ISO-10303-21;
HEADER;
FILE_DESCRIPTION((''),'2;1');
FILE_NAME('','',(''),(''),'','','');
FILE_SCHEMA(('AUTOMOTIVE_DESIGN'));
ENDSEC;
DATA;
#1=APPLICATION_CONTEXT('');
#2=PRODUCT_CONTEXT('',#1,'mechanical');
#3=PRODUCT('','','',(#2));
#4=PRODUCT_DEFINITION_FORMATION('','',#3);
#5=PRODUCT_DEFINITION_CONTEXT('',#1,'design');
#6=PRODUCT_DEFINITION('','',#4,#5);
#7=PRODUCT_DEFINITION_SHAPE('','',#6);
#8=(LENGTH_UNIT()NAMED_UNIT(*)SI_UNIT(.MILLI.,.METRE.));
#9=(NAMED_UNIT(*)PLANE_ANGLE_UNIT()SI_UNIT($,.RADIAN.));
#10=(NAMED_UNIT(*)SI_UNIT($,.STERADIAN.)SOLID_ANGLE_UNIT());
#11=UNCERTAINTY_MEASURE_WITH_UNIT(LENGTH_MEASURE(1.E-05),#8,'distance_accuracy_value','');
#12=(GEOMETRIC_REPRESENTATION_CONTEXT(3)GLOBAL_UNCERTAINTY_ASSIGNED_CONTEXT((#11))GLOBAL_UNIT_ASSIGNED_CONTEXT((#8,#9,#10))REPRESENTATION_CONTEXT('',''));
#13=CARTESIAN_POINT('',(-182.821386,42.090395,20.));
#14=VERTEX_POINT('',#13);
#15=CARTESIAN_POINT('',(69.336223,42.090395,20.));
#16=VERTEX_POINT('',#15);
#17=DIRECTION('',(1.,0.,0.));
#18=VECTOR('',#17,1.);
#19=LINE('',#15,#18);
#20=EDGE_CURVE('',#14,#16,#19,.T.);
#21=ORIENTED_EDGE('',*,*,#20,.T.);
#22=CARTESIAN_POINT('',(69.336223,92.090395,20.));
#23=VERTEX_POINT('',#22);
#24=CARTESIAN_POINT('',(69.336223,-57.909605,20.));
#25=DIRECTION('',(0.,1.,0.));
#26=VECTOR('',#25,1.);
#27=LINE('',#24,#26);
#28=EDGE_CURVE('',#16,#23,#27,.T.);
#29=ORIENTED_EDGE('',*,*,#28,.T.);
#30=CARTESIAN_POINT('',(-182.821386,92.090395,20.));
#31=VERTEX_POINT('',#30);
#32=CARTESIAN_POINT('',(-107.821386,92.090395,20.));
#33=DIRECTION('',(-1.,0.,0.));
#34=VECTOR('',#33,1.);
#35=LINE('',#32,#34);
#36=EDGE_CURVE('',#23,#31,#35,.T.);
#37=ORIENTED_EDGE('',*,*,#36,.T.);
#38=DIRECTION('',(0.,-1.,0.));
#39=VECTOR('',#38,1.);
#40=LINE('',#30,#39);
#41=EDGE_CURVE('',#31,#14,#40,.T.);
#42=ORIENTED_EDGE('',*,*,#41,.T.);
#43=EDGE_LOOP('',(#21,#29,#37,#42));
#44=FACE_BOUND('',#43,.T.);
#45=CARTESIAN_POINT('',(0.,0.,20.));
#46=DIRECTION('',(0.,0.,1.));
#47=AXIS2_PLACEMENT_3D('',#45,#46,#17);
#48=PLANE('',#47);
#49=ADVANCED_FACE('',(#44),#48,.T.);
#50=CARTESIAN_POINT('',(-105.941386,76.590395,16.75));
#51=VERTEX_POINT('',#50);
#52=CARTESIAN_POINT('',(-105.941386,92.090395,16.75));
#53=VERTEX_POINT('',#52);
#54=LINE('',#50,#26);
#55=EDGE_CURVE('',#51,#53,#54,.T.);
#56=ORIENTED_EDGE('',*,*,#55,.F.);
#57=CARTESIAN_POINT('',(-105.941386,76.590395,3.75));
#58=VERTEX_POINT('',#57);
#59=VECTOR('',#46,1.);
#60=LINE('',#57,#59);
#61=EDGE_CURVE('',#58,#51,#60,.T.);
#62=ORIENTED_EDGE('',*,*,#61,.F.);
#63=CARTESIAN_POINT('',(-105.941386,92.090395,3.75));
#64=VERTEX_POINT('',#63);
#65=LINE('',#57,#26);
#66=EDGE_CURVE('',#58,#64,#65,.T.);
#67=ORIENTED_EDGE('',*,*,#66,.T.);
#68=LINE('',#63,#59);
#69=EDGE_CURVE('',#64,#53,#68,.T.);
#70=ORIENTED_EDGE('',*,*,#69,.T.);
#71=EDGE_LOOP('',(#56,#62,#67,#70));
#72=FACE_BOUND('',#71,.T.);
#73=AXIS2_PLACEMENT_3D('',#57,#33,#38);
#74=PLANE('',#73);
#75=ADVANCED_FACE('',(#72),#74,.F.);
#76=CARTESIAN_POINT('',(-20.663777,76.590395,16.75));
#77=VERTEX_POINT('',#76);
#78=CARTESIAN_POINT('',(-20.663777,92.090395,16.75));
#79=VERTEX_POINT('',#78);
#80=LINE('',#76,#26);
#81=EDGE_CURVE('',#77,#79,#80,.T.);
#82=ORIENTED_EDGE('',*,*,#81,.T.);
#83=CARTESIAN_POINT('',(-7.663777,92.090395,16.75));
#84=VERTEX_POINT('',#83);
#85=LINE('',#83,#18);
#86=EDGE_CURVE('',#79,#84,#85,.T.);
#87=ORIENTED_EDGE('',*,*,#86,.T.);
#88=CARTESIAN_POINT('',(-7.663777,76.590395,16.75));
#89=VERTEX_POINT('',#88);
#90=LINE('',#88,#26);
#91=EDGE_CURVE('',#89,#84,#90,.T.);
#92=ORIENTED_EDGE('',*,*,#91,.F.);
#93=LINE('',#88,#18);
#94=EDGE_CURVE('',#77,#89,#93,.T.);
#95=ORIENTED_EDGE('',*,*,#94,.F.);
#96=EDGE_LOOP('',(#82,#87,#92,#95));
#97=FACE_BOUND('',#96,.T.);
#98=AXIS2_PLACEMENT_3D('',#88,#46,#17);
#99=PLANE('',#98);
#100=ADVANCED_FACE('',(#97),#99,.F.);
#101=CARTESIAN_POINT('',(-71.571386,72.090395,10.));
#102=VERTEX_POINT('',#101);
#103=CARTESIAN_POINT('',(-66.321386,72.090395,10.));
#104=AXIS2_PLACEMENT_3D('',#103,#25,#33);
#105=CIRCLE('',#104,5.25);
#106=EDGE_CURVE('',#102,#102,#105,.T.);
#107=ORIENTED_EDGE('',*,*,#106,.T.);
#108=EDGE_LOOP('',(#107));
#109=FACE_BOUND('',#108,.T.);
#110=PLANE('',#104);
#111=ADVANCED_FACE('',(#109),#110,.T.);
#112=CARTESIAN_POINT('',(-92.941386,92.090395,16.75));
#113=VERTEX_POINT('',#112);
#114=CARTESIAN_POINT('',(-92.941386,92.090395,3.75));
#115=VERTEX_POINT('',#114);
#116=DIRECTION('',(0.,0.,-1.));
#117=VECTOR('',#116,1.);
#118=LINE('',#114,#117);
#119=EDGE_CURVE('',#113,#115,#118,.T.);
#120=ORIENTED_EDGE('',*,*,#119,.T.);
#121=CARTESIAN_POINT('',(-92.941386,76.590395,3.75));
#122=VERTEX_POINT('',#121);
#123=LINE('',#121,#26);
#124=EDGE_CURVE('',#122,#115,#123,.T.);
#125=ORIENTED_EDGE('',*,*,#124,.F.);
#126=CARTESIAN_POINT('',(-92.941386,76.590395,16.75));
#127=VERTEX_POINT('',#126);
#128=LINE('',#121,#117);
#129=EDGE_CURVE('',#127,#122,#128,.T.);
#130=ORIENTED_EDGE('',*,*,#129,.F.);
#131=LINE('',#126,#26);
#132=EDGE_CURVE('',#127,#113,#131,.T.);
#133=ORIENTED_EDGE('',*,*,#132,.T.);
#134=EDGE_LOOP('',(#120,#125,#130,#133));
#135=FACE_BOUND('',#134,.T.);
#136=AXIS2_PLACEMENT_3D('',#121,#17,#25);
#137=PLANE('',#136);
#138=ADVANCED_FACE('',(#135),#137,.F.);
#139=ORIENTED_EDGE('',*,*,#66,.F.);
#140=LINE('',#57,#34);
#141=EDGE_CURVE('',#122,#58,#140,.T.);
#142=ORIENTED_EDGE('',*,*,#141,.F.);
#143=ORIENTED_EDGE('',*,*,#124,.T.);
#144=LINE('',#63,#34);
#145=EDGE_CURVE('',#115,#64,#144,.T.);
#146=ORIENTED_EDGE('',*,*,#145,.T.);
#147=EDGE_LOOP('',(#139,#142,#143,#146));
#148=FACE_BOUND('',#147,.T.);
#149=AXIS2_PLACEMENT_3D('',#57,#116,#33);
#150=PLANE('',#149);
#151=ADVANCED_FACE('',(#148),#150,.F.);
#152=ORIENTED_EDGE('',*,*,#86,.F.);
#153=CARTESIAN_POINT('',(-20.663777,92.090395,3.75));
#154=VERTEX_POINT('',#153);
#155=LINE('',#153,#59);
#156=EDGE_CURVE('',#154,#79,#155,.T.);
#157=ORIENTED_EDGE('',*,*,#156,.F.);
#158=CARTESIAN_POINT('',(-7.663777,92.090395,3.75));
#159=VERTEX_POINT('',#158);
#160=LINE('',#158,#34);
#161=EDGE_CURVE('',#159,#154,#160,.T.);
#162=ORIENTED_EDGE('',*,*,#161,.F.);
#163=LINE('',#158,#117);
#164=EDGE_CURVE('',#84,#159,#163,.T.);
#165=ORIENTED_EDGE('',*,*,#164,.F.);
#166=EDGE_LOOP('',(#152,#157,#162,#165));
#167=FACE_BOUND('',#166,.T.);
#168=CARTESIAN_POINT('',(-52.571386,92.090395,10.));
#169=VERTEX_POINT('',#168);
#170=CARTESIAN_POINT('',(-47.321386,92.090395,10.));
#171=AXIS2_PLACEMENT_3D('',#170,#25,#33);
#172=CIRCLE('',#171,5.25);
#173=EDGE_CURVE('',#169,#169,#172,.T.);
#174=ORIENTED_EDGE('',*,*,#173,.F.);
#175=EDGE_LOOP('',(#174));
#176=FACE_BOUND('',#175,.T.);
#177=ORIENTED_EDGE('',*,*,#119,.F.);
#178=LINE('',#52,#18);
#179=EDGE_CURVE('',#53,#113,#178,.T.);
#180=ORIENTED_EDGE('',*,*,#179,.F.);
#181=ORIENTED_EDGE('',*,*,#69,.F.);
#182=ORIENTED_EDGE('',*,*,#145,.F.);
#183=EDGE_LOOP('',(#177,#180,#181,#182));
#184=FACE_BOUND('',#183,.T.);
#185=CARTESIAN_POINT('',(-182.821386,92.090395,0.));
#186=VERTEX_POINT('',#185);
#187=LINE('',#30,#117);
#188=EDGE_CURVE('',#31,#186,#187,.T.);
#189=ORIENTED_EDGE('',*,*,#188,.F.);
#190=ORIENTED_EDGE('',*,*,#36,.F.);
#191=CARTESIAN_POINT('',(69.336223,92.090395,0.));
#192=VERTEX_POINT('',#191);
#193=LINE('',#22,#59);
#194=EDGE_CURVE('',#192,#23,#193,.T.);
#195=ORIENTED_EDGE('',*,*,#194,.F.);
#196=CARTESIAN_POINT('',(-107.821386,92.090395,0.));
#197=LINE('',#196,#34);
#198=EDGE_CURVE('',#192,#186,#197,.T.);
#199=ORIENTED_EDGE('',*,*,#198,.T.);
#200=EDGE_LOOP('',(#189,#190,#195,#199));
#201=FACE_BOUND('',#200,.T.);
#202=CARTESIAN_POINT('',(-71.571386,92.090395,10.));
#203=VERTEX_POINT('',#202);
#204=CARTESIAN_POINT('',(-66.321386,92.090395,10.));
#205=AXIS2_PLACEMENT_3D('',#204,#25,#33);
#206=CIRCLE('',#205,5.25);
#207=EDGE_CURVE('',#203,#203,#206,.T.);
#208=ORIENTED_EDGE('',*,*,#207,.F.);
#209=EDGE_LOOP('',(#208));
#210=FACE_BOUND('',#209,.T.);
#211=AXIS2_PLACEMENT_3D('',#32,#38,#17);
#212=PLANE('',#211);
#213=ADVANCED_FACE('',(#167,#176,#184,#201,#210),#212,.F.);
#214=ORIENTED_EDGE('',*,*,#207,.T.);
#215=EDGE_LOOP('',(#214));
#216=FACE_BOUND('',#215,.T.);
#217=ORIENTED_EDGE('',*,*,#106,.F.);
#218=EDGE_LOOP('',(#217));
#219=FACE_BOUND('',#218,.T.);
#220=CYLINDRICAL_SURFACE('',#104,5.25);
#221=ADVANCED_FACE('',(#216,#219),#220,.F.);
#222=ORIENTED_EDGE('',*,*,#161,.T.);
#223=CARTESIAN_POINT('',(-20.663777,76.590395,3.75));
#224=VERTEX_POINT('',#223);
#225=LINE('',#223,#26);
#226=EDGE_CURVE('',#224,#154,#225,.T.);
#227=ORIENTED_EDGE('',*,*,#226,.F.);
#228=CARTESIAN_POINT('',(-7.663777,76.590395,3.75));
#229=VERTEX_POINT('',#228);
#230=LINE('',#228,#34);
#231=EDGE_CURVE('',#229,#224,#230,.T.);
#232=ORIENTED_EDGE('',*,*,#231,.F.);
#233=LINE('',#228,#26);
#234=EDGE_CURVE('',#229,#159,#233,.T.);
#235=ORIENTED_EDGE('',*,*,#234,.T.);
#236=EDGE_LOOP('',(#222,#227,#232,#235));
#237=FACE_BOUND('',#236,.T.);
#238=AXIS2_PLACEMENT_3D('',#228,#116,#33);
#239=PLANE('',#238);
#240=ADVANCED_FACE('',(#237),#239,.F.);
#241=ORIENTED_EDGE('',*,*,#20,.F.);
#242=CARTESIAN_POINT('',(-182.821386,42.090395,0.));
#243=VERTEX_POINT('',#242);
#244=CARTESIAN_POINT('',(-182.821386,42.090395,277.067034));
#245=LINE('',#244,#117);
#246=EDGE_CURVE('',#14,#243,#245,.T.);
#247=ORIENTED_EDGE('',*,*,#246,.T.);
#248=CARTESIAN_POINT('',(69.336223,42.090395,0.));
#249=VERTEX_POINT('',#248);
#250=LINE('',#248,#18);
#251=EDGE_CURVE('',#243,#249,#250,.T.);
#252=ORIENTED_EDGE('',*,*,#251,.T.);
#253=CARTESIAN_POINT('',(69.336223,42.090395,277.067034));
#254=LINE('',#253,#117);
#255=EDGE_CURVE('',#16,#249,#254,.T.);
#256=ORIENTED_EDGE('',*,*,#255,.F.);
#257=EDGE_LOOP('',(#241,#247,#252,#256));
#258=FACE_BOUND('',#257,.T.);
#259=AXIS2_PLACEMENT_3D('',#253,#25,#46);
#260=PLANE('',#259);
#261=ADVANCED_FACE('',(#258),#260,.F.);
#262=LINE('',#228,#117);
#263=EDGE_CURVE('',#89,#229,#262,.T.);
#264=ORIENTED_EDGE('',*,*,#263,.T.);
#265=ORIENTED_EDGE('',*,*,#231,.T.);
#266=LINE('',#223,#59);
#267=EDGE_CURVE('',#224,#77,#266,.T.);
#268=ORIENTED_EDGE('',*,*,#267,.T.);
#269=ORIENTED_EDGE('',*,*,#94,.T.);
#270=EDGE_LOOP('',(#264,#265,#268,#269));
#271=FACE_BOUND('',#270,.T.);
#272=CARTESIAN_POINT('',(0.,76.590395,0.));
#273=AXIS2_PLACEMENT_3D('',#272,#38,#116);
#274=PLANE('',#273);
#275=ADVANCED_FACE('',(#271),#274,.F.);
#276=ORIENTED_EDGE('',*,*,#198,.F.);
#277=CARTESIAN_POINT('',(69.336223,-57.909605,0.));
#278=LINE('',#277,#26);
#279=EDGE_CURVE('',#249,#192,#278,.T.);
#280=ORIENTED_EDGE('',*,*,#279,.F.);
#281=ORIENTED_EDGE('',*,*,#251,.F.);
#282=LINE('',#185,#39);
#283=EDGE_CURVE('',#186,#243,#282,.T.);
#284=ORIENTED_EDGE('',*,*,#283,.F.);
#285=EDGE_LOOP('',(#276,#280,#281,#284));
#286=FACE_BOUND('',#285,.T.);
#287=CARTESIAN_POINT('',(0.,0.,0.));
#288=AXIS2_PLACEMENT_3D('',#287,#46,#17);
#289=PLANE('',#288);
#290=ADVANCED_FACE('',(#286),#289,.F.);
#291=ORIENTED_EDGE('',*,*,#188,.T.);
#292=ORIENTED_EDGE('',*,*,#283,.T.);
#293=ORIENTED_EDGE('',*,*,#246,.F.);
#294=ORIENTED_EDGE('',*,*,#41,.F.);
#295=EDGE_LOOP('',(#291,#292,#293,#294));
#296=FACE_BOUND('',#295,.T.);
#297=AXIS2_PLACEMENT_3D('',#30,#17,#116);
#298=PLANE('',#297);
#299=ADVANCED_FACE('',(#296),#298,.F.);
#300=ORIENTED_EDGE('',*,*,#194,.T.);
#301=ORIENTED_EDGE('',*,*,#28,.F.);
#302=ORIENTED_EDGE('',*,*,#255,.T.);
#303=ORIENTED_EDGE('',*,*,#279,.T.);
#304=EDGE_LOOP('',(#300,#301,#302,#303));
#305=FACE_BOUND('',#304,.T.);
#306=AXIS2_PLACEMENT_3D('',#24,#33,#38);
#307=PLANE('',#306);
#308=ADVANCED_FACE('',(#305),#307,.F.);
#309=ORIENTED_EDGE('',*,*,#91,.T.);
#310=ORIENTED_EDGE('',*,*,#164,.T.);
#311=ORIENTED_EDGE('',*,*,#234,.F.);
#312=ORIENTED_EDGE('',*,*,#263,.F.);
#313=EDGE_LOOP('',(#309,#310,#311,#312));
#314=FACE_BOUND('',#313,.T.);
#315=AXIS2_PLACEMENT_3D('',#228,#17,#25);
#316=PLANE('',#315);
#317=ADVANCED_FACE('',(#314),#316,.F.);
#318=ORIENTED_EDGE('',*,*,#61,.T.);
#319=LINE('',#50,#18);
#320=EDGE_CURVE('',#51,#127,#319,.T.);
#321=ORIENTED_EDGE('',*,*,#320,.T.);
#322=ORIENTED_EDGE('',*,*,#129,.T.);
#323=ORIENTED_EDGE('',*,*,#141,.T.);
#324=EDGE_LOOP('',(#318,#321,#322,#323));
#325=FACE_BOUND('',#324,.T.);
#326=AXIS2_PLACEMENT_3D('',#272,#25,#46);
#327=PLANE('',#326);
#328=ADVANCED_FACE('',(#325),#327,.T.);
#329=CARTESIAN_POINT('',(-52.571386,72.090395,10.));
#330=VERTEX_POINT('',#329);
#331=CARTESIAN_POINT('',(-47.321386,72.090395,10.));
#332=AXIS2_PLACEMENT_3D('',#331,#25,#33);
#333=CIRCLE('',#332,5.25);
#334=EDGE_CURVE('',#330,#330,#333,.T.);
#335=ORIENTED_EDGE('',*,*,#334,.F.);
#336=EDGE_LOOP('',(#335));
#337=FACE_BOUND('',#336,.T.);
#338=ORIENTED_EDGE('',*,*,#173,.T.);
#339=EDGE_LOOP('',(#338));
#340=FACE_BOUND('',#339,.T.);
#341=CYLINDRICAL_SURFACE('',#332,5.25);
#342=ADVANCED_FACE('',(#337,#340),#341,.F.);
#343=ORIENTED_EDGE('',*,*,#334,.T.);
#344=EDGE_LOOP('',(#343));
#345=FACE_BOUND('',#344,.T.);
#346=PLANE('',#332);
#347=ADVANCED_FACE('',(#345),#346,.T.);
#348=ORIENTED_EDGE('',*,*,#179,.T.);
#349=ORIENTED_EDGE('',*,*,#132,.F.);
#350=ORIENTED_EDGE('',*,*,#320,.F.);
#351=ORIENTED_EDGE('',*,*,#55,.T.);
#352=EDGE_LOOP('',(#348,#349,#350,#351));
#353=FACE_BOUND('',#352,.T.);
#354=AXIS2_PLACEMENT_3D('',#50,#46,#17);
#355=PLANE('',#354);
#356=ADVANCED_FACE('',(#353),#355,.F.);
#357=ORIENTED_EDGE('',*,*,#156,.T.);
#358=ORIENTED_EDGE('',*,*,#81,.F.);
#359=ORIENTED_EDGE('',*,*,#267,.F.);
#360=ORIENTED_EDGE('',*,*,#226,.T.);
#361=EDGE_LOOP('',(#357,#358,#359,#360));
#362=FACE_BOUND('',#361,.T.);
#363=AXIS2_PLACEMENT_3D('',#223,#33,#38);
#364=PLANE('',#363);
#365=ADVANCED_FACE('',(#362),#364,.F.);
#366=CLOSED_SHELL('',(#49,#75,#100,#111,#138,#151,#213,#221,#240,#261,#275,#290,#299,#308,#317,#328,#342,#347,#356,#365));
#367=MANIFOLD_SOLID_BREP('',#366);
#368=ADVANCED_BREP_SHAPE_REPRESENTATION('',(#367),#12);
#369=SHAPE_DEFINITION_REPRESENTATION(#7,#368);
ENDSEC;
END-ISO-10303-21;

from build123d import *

# Parameters (mm, degrees)
BOSS_EXTRUDE1_DEPTH = 20
SKETCH5_R           = 5.25
CUT_EXTRUDE4_DEPTH  = 20
SKETCH6_W           = 13
SKETCH6_H           = 13
CUT_EXTRUDE5_DEPTH  = 15.5
SKETCH7_W           = 13
SKETCH7_H           = 13
CUT_EXTRUDE6_DEPTH  = 15.5
SKETCH8_W           = 300
SKETCH8_H           = 102
BOSS_EXTRUDE2_DEPTH = 20
CUT_EXTRUDE7_START  = -150
SKETCH9_W           = 47.842391085
SKETCH9_H           = 20
CUT_EXTRUDE7_DEPTH  = 150
SKETCH10_W          = 252.157608915
SKETCH10_H          = 50
CUT_EXTRUDE8_DEPTH  = 310
SKETCH11_W          = 252.157608915
SKETCH11_H          = 50
CUT_EXTRUDE9_DEPTH  = 20


with BuildPart() as part:
    # Sketch1 → Boss-Extrude1 (new body)
    with BuildSketch(Plane.XY):
        Polygon((-107.821386225, 92.09039548), (-7.821386225, 92.09039548), (117.178613775, 92.09039548), (117.178613775, 44.09039548), (-7.821386225, 44.09039548), (-107.821386225, 44.09039548), (-182.821386225, 44.09039548), (-182.821386225, 92.09039548), align=None)
    extrude(amount=BOSS_EXTRUDE1_DEPTH)

    # Sketch5 → Cut-Extrude4 (cut)
    with BuildSketch(Plane(origin=(0, 92.09039548, 0), x_dir=(1, 0, 0), z_dir=(0, 1, 0))):
        with Locations(Location((-66.321386225, -10, 0), (0, 0, 180))):
            Circle(SKETCH5_R)
        with Locations(Location((-47.321386225, -10, 0), (0, 0, 180))):
            Circle(SKETCH5_R)
    extrude(amount=-CUT_EXTRUDE4_DEPTH, mode=Mode.SUBTRACT)

    # Sketch6 → Cut-Extrude5 (cut)
    with BuildSketch(Plane(origin=(0, 92.09039548, 0), x_dir=(1, 0, 0), z_dir=(0, 1, 0))):
        with Locations((-99.441386225, -10.25)):
            Rectangle(SKETCH6_W, SKETCH6_H)
    extrude(amount=-CUT_EXTRUDE5_DEPTH, mode=Mode.SUBTRACT)

    # Sketch7 → Cut-Extrude6 (cut)
    with BuildSketch(Plane(origin=(0, 92.09039548, 0), x_dir=(1, 0, 0), z_dir=(0, 1, 0))):
        with Locations((-14.16377731, -10.25)):
            Rectangle(SKETCH7_W, SKETCH7_H)
    extrude(amount=-CUT_EXTRUDE6_DEPTH, mode=Mode.SUBTRACT)

    # Sketch8 → Boss-Extrude2 (add)
    with BuildSketch(Plane.XY.offset(20)):
        with Locations((-32.821386225, -6.90960452)):
            Rectangle(SKETCH8_W, SKETCH8_H)
    extrude(amount=-BOSS_EXTRUDE2_DEPTH)

    # Sketch9 → Cut-Extrude7 (cut)
    with BuildSketch(Plane(origin=(0, 92.09039548, 0), x_dir=(1, 0, 0), z_dir=(0, 1, 0)).offset(CUT_EXTRUDE7_START)):
        with Locations((93.257418233, -10)):
            Rectangle(SKETCH9_W, SKETCH9_H)
    extrude(amount=CUT_EXTRUDE7_DEPTH, mode=Mode.SUBTRACT)

    # Sketch10 → Cut-Extrude8 (cut)
    with BuildSketch(Plane(origin=(0, 0, 0), x_dir=(-1, 0, 0), z_dir=(0, 0, -1))):
        with Locations((56.742581767, -32.90960452)):
            Rectangle(SKETCH10_W, SKETCH10_H)
    extrude(amount=-CUT_EXTRUDE8_DEPTH, mode=Mode.SUBTRACT)

    # Sketch11 → Cut-Extrude9 (cut)
    with BuildSketch(Plane(origin=(0, 0, 0), x_dir=(-1, 0, 0), z_dir=(0, 0, -1))):
        with Locations((56.742581767, 17.09039548)):
            Rectangle(SKETCH11_W, SKETCH11_H)
    extrude(amount=-CUT_EXTRUDE9_DEPTH, mode=Mode.SUBTRACT)


solid = part.part
